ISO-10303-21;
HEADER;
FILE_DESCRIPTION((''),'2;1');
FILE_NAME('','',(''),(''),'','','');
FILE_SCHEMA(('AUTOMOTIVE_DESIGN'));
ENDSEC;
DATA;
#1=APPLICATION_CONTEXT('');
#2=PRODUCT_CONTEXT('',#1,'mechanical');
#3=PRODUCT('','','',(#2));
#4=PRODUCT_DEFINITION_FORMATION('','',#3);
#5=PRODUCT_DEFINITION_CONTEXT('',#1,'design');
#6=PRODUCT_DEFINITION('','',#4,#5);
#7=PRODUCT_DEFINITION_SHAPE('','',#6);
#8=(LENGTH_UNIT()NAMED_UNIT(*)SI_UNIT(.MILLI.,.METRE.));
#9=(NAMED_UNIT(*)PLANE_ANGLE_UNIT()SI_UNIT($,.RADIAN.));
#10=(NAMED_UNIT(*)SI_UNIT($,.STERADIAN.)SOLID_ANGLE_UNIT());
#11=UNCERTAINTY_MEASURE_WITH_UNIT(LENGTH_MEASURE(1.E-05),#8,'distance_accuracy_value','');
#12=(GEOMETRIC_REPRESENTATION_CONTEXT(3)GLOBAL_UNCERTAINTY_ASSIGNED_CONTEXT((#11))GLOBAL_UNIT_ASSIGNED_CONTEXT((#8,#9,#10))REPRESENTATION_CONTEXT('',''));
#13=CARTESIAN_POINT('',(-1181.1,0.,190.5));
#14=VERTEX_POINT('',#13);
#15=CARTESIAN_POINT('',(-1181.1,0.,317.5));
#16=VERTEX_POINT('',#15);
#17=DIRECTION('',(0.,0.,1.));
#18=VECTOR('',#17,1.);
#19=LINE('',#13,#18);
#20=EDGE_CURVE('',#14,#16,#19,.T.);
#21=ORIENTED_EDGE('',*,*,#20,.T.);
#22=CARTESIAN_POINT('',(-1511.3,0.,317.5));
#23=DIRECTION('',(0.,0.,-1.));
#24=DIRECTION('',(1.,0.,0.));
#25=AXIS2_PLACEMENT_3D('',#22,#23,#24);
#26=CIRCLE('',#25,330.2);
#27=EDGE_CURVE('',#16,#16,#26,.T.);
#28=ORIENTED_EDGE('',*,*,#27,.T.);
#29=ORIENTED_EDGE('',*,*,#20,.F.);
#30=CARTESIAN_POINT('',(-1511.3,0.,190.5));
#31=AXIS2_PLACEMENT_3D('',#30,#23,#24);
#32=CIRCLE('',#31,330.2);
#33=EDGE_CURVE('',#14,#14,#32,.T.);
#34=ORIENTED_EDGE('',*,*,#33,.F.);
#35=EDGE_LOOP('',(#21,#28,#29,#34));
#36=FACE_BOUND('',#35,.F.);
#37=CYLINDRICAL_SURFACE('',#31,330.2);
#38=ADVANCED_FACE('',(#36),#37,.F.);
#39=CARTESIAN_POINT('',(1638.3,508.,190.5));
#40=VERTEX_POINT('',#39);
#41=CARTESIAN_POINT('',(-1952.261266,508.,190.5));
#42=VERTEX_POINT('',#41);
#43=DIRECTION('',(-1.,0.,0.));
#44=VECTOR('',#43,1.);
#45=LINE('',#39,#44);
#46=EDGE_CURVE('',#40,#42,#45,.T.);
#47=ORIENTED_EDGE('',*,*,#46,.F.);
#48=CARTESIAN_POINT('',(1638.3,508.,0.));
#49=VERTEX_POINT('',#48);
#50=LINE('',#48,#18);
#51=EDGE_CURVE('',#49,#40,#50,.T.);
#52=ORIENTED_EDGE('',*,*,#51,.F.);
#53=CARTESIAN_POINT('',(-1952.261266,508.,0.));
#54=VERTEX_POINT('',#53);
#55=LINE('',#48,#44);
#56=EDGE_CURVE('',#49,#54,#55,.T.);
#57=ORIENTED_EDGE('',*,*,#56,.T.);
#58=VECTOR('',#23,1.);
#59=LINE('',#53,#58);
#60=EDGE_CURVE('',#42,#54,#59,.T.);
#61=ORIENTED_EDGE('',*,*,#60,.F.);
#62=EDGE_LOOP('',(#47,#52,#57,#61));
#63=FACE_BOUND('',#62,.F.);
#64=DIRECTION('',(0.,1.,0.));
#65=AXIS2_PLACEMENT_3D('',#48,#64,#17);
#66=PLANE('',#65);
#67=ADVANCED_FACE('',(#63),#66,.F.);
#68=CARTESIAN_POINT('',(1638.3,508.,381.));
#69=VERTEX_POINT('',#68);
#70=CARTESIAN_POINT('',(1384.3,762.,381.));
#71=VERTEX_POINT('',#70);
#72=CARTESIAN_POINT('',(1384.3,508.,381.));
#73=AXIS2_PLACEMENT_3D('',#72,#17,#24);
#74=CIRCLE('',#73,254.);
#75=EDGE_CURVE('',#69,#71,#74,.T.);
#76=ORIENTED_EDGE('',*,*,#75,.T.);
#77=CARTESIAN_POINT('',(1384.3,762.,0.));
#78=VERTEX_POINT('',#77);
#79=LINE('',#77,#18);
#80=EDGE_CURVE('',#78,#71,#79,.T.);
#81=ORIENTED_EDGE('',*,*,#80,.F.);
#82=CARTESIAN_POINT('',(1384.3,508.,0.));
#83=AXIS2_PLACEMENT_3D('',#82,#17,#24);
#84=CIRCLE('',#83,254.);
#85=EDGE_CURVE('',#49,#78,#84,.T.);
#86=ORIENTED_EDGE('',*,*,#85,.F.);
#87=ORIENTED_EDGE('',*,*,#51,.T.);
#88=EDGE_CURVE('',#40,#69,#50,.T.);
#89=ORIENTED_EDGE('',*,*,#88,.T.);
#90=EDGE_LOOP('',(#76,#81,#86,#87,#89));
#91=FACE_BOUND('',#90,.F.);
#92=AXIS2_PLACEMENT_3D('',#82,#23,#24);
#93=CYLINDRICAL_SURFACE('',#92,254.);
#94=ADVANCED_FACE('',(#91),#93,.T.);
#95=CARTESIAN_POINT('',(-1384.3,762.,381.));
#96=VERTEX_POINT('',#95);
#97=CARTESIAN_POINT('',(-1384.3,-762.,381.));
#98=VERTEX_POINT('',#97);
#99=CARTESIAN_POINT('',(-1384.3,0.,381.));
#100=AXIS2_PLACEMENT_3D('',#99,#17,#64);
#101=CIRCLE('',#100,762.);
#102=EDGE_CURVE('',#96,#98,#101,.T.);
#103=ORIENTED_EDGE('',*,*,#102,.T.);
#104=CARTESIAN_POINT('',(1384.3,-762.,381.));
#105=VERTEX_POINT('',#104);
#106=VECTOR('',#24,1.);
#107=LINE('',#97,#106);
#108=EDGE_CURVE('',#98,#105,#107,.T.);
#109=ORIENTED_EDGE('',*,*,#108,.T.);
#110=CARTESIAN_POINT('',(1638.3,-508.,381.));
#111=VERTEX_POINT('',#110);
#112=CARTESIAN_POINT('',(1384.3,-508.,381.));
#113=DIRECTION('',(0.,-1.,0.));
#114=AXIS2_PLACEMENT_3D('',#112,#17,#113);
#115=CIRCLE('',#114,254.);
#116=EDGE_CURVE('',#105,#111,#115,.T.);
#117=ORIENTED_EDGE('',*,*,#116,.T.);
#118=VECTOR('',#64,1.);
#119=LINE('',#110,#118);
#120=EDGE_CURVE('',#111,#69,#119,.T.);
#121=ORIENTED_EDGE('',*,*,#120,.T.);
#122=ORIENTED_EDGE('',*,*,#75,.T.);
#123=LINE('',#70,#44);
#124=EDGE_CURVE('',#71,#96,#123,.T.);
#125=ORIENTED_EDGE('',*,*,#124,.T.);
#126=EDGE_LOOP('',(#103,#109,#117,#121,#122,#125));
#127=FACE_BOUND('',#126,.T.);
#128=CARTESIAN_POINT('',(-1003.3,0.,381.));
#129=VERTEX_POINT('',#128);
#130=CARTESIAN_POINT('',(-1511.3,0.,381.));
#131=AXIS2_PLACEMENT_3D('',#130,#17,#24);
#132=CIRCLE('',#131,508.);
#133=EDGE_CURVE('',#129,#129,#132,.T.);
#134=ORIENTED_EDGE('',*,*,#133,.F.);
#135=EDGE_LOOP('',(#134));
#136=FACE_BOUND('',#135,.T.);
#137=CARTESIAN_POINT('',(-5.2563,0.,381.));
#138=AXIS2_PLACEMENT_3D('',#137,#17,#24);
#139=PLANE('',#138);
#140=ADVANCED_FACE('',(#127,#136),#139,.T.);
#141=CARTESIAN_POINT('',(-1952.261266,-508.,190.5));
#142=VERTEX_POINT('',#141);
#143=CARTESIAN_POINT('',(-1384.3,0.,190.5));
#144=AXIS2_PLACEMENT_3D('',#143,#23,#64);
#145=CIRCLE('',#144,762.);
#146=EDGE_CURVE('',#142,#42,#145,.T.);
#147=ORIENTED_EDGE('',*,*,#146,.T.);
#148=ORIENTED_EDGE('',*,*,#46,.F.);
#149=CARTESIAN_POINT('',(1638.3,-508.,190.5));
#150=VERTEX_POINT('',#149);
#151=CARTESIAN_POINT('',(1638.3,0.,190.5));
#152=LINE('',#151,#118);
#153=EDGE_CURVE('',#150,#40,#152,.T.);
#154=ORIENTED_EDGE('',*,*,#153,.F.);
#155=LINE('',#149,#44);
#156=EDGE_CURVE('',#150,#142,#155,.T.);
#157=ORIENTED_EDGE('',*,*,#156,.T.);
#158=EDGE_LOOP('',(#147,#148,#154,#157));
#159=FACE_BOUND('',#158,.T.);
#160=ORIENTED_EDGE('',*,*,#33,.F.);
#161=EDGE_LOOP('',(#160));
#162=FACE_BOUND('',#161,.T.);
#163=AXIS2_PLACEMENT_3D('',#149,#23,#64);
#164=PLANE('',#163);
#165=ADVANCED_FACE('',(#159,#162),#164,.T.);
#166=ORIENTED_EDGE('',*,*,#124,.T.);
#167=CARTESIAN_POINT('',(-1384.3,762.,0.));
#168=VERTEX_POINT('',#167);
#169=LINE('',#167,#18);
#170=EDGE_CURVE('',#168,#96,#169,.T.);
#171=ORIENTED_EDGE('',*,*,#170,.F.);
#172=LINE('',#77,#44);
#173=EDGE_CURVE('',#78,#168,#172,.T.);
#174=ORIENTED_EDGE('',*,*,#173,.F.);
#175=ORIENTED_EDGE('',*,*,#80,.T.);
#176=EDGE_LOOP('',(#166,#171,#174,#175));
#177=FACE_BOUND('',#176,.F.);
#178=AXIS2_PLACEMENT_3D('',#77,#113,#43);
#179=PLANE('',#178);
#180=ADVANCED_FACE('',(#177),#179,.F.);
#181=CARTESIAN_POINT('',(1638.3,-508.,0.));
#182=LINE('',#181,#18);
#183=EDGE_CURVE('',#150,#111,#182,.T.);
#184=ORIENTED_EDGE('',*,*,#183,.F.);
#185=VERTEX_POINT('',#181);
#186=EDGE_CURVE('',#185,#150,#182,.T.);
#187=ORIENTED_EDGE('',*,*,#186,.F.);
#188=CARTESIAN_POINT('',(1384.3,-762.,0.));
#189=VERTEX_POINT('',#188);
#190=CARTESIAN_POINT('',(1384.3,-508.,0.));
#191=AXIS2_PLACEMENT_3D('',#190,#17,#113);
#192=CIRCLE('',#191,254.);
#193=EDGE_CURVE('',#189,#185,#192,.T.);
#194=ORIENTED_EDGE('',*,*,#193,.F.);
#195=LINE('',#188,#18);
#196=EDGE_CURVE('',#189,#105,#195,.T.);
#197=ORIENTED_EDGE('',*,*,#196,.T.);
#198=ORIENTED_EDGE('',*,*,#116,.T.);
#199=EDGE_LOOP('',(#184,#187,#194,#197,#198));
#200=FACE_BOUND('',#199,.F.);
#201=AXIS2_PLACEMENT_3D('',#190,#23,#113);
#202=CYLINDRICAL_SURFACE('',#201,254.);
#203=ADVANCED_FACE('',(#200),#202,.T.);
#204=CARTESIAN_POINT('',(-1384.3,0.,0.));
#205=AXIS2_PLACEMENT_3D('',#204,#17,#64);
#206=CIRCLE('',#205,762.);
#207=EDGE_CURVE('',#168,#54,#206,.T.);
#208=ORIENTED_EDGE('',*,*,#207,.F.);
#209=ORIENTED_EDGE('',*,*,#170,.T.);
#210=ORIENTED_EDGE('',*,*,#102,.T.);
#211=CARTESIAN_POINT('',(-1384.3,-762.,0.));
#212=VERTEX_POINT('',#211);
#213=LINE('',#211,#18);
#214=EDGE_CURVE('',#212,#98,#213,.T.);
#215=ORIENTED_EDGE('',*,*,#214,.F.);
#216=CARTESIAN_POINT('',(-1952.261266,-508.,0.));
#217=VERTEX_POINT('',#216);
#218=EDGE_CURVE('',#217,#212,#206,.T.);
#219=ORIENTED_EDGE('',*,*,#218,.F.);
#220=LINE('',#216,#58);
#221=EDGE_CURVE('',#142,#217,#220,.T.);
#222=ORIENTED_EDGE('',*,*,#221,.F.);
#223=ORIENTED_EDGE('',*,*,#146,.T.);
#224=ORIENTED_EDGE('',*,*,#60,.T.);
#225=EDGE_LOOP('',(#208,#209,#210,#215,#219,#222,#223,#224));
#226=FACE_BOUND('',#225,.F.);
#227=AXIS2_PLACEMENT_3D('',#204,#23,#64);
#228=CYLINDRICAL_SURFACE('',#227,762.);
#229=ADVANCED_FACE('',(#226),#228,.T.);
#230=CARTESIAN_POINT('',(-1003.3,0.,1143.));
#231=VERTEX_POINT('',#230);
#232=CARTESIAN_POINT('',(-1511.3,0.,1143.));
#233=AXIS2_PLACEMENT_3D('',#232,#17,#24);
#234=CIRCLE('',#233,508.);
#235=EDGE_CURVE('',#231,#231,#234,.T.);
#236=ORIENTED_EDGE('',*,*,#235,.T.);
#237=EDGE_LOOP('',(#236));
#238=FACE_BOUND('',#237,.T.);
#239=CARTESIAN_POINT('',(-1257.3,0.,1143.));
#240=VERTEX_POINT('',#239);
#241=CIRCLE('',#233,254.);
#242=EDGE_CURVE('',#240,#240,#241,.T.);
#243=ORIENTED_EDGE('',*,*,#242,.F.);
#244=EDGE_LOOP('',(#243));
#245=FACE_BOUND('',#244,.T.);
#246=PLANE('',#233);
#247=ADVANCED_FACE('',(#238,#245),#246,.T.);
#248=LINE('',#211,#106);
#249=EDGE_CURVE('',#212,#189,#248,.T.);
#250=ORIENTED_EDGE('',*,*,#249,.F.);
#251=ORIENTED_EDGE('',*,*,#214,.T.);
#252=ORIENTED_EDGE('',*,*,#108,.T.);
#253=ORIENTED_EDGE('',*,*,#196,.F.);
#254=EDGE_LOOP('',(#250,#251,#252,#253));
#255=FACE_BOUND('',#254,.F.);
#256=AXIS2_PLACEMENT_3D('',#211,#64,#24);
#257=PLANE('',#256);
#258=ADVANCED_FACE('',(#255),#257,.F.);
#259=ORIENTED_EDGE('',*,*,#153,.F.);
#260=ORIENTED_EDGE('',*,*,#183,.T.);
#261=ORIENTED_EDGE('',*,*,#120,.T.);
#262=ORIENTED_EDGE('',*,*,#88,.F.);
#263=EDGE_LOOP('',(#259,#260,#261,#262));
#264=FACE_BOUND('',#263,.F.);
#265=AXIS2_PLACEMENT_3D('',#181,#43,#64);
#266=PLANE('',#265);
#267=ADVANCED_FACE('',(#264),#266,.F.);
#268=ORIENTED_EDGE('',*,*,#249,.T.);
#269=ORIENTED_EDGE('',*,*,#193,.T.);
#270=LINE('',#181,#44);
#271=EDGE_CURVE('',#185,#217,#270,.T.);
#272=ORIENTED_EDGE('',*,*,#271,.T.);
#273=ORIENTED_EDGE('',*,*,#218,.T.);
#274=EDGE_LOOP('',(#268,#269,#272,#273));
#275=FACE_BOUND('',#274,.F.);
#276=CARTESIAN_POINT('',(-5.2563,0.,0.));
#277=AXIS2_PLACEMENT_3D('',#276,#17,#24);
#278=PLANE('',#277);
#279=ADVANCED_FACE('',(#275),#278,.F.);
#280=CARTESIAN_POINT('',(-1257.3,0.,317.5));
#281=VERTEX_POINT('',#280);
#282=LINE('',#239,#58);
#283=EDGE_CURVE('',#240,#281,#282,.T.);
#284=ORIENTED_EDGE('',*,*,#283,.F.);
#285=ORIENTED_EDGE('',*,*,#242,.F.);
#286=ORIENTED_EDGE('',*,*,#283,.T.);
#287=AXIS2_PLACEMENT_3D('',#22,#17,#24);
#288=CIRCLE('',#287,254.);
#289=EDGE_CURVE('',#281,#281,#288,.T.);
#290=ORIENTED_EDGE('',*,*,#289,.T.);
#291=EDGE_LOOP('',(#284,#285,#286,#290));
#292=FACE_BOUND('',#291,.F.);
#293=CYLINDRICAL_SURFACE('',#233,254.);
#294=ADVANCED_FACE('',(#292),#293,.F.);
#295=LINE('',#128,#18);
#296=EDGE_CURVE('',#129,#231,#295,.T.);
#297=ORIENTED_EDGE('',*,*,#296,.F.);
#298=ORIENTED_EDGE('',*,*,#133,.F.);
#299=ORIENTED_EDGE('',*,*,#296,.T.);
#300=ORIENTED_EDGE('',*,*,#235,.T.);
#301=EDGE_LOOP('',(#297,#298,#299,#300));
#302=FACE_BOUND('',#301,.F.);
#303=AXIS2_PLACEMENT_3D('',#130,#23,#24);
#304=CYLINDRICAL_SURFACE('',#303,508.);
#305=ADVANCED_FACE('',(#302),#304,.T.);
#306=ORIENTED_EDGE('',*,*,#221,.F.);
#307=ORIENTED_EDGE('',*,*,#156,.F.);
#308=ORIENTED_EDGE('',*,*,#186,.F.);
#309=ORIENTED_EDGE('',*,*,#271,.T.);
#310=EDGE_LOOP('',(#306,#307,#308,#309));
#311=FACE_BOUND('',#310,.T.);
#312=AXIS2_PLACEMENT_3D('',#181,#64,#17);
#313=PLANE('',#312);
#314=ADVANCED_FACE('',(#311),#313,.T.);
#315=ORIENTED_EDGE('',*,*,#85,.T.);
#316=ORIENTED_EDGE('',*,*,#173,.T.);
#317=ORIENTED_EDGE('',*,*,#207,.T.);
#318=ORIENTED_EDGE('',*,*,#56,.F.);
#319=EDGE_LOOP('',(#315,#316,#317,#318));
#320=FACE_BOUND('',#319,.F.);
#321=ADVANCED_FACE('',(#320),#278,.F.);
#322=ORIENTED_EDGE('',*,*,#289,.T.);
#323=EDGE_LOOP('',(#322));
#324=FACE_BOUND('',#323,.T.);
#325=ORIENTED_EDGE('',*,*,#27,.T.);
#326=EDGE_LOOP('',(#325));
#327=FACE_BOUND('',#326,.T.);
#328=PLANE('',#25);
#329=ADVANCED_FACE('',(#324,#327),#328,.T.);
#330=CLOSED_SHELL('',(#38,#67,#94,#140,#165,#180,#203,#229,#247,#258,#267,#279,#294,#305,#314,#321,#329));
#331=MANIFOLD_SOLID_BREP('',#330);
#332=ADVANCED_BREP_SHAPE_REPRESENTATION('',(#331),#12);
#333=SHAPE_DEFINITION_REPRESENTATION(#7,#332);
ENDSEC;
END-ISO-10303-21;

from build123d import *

# Parameters (mm, degrees)
F1_DEPTH  = 381
F3_R      = 508
F4_DEPTH  = 762
F5_R      = 254
F6_DEPTH  = 1143.001
F7_W      = 1016
F7_H      = 190.5
F8_DEPTH  = 3784.601
F9_R      = 330.2
F10_DEPTH = 127


with BuildPart() as f1:
    # F0 (on Top) → F1 (new body)
    with BuildSketch(Plane.XY):
        with BuildLine():
            Line((-1384.3, -762), (1384.3, -762))
            Line((1384.3, -762), (1384.3, -501.65))
            Line((1384.3, -501.65), (1384.3, 508))
            Line((1384.3, 508), (1384.3, 762))
            Line((1384.3, 762), (-1384.3, 762))
            ThreePointArc((-1384.3, 762), (-845.4846327359, 538.8153672641), (-622.3, 0))
            ThreePointArc((-622.3, 0), (-845.4846327359, -538.8153672641), (-1384.3, -762))
        make_face()
        with BuildLine():
            Line((1384.3, -501.65), (1384.3, -762))
            ThreePointArc((1384.3, -762), (1563.9051224214, -687.6051224214), (1638.3, -508))
            Line((1638.3, -508), (1390.65, -508))
            ThreePointArc((1390.65, -508), (1386.1598719395, -506.1401280605), (1384.3, -501.65))
        make_face()
        with BuildLine():
            ThreePointArc((-1384.3, 762), (-2146.3, 0), (-1384.3, -762))
            Line((-1384.3, -762), (-1384.3, 762))
        make_face()
        with BuildLine():
            Line((-1384.3, 762), (-1384.3, -762))
            ThreePointArc((-1384.3, -762), (-845.4846327359, -538.8153672641), (-622.3, 0))
            ThreePointArc((-622.3, 0), (-845.4846327359, 538.8153672641), (-1384.3, 762))
        make_face()
        with BuildLine():
            Line((1384.3, 508), (1384.3, -501.65))
            ThreePointArc((1384.3, -501.65), (1386.1598719395, -506.1401280605), (1390.65, -508))
            Line((1390.65, -508), (1638.3, -508))
            Line((1638.3, -508), (1638.3, 508))
            Line((1638.3, 508), (1384.3, 508))
        make_face()
        with BuildLine():
            Line((1384.3, 762), (1384.3, 508))
            Line((1384.3, 508), (1638.3, 508))
            ThreePointArc((1638.3, 508), (1563.9051224214, 687.6051224214), (1384.3, 762))
        make_face()
    extrude(amount=F1_DEPTH)

    # F3 (on face) → F4 (join)
    with BuildSketch(Plane.XY.offset(381)):
        with Locations((-1511.3, 0)):
            Circle(F3_R)
    extrude(amount=F4_DEPTH)

    # F5 (on face) → F6 (cut, through all)
    with BuildSketch(Plane.XY.offset(1143)):
        with Locations((-1511.3, 0)):
            Circle(F5_R)
    extrude(amount=-F6_DEPTH, mode=Mode.SUBTRACT)

    # F7 (on face) → F8 (cut, through all)
    with BuildSketch(Plane.YZ.offset(1638.3)):
        with Locations((0, 95.25)):
            Rectangle(F7_W, F7_H)
    extrude(amount=-F8_DEPTH, mode=Mode.SUBTRACT)

    # F9 (on face) → F10 (cut)
    with BuildSketch(Plane(origin=(0, 0, 190.5), x_dir=(1, 0, 0), z_dir=(0, 0, -1))):
        with Locations((-1511.3, 0)):
            Circle(F9_R)
    extrude(amount=-F10_DEPTH, mode=Mode.SUBTRACT)


solid = f1.part
